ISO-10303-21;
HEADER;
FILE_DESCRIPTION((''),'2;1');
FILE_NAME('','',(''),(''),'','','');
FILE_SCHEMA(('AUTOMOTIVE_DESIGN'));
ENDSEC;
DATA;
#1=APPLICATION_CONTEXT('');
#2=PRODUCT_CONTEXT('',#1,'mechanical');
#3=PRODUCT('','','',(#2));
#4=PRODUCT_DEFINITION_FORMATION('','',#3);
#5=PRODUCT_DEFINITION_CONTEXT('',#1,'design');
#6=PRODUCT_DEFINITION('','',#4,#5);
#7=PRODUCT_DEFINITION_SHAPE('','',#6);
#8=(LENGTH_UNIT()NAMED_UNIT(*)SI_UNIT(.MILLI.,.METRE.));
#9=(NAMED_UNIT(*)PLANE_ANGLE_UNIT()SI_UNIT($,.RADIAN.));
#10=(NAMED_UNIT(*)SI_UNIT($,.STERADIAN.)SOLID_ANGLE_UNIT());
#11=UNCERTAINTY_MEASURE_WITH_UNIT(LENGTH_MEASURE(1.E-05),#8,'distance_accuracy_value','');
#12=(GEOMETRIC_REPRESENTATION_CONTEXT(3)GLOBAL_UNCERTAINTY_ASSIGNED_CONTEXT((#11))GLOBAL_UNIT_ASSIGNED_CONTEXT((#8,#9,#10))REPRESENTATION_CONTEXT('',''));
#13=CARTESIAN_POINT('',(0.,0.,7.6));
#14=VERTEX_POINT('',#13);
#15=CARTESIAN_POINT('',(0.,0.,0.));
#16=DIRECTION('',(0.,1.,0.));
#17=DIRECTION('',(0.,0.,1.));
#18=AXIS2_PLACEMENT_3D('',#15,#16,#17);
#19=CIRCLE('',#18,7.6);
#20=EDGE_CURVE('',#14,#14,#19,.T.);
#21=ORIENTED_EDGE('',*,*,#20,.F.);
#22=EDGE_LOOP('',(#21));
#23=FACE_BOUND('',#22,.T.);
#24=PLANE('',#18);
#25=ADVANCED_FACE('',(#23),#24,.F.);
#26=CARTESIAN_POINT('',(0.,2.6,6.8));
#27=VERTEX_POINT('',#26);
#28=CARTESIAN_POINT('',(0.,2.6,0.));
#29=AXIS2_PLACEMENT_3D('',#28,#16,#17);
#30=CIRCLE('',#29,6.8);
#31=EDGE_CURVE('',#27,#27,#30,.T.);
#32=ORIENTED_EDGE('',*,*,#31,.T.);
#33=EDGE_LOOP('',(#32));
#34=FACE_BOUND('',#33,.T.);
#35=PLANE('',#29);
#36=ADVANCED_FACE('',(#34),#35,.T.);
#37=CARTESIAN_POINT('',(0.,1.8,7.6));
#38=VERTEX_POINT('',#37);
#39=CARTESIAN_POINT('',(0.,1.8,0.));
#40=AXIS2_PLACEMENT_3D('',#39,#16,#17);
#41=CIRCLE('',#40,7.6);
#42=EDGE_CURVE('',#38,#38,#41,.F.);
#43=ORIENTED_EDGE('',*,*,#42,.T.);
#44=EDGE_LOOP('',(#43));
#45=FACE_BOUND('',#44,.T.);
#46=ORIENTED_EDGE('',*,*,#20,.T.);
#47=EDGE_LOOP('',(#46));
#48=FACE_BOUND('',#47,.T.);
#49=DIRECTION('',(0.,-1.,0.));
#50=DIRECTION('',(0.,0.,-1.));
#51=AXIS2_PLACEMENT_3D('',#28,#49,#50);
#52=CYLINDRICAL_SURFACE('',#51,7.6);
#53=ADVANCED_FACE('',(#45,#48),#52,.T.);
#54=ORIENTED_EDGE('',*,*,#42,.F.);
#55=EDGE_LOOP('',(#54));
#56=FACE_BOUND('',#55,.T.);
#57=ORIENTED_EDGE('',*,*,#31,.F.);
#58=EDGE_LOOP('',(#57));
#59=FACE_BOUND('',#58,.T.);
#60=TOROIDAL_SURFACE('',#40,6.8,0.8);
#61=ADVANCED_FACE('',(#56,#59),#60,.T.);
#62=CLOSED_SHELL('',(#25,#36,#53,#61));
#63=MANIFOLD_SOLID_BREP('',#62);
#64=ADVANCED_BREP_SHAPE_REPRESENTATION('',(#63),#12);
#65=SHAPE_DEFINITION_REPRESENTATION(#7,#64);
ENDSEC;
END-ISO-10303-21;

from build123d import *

# Parameters (mm, degrees)
SKETCH1_R           = 7.6
BOSS_EXTRUDE1_DEPTH = 2.6
FILLET1_R           = 0.8


with BuildPart() as part:
    # Sketch1 → Boss-Extrude1 (new body)
    with BuildSketch(Plane(origin=(0, 0, 0), x_dir=(1, 0, 0), z_dir=(0, 1, 0))):
        Circle(SKETCH1_R)
    extrude(amount=BOSS_EXTRUDE1_DEPTH)

    # Fillet1
    fillet1_edges = [part.edges().sort_by_distance(p)[0] for p in [
        (-7.6, 2.6, 0),
    ]]
    fillet(fillet1_edges, radius=FILLET1_R)


solid = part.part
